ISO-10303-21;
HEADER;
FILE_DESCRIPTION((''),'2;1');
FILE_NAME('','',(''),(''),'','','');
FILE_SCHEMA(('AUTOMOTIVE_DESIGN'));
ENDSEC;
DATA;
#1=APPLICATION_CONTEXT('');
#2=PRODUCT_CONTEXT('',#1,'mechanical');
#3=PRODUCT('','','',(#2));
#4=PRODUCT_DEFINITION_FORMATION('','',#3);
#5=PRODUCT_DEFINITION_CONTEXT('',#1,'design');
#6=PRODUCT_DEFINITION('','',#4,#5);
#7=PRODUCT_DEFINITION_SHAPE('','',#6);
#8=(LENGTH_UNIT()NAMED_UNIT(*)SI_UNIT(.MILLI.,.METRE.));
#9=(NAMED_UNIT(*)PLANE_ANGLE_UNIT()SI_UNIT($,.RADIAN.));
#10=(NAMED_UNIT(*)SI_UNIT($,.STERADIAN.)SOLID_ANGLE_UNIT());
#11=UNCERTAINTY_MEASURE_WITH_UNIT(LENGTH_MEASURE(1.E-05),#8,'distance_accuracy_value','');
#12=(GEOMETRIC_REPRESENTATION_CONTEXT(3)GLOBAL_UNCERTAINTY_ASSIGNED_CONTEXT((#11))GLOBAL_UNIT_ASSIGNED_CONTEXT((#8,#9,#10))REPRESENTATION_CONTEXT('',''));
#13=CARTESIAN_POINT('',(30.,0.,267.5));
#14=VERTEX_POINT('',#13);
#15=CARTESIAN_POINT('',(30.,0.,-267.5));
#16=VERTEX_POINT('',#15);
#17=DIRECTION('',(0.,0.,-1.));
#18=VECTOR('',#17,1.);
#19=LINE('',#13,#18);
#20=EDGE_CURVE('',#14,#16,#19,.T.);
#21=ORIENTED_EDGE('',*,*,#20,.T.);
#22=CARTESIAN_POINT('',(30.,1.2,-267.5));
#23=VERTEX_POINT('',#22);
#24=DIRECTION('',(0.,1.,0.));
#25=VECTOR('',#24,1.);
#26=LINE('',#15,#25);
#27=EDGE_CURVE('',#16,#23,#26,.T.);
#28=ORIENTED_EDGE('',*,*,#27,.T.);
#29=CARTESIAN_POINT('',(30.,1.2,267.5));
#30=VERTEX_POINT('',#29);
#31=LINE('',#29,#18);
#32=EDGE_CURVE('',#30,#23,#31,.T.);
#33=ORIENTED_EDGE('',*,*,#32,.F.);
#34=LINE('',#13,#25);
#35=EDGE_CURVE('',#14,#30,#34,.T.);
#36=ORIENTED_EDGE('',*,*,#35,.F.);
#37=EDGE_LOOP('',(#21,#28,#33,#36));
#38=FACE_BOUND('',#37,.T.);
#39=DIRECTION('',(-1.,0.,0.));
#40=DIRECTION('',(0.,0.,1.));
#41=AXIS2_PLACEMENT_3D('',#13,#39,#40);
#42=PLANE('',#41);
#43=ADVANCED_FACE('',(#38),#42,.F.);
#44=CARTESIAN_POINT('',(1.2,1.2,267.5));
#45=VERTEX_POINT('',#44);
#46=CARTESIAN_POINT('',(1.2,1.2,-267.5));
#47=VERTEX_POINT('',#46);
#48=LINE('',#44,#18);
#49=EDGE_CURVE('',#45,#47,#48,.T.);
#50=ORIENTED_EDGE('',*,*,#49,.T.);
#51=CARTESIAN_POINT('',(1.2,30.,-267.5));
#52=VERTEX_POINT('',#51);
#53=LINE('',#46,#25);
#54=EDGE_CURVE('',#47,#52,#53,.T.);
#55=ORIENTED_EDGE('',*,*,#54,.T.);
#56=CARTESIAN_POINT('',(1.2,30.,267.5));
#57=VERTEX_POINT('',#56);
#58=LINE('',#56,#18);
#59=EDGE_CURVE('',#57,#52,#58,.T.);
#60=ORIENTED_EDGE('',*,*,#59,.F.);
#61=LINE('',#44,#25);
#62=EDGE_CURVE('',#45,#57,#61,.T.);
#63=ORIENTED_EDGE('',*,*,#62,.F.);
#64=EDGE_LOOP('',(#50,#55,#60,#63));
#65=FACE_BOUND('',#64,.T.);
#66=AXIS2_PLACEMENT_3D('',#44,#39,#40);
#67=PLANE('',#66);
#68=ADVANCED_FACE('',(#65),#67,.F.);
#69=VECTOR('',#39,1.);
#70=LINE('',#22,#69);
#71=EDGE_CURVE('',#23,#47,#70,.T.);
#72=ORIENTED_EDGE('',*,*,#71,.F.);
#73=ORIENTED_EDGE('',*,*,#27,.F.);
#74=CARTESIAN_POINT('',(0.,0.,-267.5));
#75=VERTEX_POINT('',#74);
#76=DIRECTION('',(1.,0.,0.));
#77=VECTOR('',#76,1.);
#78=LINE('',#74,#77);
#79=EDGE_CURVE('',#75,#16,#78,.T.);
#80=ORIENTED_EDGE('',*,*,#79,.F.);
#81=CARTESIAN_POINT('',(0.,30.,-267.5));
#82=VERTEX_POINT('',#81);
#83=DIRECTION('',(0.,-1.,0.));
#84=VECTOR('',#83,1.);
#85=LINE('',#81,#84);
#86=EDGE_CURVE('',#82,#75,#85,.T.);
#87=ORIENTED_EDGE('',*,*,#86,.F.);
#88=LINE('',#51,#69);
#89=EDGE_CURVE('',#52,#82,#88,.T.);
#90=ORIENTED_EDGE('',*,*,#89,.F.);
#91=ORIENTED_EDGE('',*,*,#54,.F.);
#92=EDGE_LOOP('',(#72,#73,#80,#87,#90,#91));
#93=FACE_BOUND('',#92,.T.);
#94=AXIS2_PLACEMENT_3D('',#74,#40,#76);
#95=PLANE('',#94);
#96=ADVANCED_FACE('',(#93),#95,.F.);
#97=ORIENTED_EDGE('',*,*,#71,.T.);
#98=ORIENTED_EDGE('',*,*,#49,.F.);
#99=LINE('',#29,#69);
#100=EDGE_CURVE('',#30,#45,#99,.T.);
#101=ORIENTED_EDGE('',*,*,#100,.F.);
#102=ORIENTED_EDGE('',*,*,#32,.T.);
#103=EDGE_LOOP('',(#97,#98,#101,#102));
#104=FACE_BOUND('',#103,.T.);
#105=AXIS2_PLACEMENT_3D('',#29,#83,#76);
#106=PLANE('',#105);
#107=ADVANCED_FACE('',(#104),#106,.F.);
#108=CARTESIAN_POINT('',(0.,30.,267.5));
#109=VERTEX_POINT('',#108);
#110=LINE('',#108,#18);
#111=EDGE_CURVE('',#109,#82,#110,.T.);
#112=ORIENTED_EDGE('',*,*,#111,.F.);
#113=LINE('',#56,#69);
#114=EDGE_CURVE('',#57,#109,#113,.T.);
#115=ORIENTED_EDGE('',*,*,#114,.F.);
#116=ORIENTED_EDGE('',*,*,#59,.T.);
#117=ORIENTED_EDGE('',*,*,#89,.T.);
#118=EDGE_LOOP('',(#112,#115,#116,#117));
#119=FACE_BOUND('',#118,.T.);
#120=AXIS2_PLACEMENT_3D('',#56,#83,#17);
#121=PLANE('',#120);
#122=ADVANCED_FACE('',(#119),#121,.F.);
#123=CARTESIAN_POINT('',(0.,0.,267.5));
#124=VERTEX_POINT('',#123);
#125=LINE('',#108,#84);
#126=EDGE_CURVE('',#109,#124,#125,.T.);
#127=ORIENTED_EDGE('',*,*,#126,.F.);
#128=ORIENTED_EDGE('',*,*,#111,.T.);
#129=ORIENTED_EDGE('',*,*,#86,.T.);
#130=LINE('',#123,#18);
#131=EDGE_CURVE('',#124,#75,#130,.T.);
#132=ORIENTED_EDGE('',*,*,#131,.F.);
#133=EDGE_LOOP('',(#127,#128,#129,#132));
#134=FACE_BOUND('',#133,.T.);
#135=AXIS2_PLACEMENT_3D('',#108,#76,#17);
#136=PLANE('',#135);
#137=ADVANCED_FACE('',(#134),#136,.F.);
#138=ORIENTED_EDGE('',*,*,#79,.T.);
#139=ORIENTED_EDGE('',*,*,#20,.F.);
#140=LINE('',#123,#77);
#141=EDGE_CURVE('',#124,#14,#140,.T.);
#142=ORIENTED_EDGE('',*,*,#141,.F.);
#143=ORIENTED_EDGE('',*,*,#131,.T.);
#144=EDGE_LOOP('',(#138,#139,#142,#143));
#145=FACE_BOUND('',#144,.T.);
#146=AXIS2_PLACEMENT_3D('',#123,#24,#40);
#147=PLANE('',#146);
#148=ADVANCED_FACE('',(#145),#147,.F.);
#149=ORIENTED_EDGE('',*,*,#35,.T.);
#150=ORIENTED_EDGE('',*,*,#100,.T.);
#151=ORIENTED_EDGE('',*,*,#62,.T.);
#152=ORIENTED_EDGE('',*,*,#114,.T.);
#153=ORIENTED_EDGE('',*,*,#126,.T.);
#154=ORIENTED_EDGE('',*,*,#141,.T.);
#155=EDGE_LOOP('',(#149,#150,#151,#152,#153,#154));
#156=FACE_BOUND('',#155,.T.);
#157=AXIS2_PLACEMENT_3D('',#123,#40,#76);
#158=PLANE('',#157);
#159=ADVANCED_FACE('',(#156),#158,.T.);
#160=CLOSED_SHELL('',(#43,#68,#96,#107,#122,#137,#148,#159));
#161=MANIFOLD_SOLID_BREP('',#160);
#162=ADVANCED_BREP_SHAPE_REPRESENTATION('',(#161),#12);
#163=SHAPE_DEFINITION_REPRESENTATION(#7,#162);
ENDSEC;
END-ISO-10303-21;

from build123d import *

# Parameters (mm, degrees)
BOSS_EXTRUDE1_DEPTH = 267.5


with BuildPart() as part:
    # Sketch1 → Boss-Extrude1 (new, symmetric)
    with BuildSketch(Plane.XY):
        Polygon((0, 30), (0, 0), (30, 0), (30, 1.2), (1.2, 1.2), (1.2, 30), align=None)
    extrude(amount=BOSS_EXTRUDE1_DEPTH, both=True)


solid = part.part
